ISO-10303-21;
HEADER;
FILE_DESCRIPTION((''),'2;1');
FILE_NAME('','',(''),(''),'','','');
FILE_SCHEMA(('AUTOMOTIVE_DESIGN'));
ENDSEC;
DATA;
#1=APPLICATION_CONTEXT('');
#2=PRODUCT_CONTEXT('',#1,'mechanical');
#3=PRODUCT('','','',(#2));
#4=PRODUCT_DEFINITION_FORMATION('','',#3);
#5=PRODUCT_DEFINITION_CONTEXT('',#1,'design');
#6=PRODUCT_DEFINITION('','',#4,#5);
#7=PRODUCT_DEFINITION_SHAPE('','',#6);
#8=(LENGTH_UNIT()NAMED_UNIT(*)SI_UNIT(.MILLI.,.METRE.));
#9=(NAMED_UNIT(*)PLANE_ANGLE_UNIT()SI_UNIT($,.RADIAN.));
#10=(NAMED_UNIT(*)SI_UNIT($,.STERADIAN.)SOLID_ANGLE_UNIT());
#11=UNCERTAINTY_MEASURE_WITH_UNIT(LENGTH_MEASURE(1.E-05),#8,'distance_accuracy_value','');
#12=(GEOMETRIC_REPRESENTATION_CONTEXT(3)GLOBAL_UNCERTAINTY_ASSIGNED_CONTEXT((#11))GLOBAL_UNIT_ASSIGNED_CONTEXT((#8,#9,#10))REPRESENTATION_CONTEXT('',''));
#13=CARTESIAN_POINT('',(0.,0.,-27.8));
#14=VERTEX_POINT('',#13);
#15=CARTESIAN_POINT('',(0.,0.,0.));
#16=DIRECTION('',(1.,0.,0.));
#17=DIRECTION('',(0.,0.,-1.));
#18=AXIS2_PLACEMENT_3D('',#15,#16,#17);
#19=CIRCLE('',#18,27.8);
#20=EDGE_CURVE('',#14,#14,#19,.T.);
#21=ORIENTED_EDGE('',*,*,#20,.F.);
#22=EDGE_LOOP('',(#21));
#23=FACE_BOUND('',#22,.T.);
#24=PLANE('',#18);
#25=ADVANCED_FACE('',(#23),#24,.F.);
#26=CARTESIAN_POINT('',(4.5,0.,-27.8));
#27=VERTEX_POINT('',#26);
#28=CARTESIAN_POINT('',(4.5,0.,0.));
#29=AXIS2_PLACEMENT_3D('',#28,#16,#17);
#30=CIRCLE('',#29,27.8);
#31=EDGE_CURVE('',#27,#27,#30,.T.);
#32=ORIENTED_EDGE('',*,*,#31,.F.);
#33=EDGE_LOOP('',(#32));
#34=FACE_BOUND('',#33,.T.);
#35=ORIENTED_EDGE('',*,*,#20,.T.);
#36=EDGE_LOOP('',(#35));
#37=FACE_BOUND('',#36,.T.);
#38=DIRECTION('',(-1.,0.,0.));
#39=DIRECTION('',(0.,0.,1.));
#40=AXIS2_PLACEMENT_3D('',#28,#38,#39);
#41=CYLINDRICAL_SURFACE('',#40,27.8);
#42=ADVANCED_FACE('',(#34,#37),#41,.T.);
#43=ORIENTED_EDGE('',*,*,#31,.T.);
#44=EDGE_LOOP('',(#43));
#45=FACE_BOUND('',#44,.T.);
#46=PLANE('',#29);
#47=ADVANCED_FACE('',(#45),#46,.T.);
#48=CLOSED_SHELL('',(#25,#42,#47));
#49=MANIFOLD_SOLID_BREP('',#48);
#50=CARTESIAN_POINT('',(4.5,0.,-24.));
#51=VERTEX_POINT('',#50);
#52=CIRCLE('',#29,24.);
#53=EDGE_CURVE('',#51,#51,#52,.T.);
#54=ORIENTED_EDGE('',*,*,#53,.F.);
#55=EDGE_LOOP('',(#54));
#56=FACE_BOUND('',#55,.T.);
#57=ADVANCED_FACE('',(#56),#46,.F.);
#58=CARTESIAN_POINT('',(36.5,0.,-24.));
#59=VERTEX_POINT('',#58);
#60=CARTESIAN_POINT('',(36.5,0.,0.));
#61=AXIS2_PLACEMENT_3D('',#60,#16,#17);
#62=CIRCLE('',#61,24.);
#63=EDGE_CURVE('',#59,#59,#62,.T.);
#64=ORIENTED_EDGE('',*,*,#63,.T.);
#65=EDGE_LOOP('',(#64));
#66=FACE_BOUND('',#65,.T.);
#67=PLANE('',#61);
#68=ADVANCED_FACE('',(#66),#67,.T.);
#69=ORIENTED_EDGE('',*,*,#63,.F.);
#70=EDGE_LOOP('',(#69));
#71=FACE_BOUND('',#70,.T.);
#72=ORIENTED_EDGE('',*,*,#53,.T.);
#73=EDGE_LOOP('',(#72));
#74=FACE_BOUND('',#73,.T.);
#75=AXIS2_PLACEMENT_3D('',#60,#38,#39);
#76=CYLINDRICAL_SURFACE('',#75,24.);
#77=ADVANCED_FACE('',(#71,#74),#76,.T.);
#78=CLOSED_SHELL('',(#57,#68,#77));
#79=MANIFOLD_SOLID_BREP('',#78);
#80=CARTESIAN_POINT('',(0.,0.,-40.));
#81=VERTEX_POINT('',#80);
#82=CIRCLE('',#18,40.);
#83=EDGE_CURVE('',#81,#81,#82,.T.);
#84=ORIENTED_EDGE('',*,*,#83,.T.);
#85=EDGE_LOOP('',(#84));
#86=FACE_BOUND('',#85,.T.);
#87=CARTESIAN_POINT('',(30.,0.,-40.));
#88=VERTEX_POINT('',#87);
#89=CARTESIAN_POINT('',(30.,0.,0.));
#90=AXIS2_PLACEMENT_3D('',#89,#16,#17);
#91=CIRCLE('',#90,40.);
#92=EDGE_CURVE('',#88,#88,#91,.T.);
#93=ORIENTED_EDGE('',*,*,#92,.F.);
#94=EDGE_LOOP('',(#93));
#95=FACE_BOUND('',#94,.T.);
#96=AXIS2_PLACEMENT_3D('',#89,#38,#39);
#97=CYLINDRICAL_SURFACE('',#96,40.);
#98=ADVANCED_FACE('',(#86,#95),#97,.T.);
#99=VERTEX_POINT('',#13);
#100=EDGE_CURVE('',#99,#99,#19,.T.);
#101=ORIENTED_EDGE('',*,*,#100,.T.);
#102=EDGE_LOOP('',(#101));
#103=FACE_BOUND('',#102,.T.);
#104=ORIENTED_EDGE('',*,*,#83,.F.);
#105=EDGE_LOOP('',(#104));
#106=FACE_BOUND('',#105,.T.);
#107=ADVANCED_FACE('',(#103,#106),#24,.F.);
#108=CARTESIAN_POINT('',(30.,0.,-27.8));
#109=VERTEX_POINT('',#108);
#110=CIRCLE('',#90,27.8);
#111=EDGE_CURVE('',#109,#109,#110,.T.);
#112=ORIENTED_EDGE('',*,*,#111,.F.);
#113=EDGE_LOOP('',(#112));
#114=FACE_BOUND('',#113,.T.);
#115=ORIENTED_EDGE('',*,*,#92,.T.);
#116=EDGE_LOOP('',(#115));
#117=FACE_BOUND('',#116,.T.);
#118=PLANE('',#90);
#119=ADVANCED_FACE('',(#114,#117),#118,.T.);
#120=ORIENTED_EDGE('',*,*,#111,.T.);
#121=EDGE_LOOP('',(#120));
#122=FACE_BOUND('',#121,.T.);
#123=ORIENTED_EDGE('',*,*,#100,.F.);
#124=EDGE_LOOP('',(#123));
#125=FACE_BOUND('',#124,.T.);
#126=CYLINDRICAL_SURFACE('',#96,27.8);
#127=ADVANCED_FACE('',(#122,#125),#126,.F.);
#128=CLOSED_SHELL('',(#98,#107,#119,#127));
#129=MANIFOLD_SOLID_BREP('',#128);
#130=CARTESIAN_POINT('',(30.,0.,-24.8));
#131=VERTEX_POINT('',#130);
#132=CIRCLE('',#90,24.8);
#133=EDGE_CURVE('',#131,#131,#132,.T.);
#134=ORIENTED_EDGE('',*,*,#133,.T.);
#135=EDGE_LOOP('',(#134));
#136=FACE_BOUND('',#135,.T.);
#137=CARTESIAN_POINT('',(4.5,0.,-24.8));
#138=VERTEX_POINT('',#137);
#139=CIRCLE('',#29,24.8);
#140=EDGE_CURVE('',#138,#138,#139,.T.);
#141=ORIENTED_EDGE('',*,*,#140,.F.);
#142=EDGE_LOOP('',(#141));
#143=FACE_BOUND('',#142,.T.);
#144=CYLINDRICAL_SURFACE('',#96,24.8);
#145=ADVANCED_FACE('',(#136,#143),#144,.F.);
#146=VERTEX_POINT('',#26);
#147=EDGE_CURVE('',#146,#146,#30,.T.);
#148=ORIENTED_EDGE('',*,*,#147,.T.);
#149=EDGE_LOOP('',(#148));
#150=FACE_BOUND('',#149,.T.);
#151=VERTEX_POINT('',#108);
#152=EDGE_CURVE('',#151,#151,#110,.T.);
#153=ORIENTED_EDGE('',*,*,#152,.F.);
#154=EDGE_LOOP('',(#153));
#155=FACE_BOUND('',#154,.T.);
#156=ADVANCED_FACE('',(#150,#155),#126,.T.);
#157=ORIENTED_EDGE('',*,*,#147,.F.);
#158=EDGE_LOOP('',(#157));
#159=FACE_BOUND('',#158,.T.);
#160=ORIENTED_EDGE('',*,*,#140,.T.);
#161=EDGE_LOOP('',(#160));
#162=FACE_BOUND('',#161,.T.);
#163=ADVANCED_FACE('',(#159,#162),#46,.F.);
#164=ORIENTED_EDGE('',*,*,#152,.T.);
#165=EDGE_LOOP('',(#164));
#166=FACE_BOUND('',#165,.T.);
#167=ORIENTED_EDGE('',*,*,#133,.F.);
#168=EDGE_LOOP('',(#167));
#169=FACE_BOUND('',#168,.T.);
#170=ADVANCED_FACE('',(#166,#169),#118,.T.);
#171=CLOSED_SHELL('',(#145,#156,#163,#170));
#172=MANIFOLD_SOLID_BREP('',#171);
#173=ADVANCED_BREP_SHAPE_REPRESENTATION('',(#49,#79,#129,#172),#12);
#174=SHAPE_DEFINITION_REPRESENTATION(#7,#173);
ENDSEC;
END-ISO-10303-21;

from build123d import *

# Parameters (mm, degrees)
SKETCH1_R      = 27.8
CUPFLOOR_DEPTH = 4.5
CUPWALL_START  = 4.5
SKETCH2_R      = 27.8
SKETCH2_R_2    = 24.8
CUPWALL_DEPTH  = 25.5
MOTOR_START    = 4.5
SKETCH3_R      = 24
MOTOR_DEPTH    = 32
SKETCH4_R      = 40
SKETCH4_R_2    = 27.8
FOAM_DEPTH     = 30


with BuildPart() as part:
    # Sketch1 → CupFloor (new body)
    with BuildSketch(Plane(origin=(0, 0, 0), x_dir=(0, 0, -1), z_dir=(1, 0, 0))):
        Circle(SKETCH1_R)
    extrude(amount=CUPFLOOR_DEPTH)


with BuildPart() as body_2:
    # Sketch2 → CupWall (new body)
    with BuildSketch(Plane(origin=(0, 0, 0), x_dir=(0, 0, -1), z_dir=(1, 0, 0)).offset(CUPWALL_START)):
        Circle(SKETCH2_R)
        Circle(SKETCH2_R_2, mode=Mode.SUBTRACT)
    extrude(amount=CUPWALL_DEPTH)


with BuildPart() as body_3:
    # Sketch3 → Motor (new body)
    with BuildSketch(Plane(origin=(0, 0, 0), x_dir=(0, 0, -1), z_dir=(1, 0, 0)).offset(MOTOR_START)):
        Circle(SKETCH3_R)
    extrude(amount=MOTOR_DEPTH)


with BuildPart() as body_4:
    # Sketch4 → Foam (new body)
    with BuildSketch(Plane(origin=(0, 0, 0), x_dir=(0, 0, -1), z_dir=(1, 0, 0))):
        Circle(SKETCH4_R)
        Circle(SKETCH4_R_2, mode=Mode.SUBTRACT)
    extrude(amount=FOAM_DEPTH)


solid = Compound([part.part, body_2.part, body_3.part, body_4.part])
